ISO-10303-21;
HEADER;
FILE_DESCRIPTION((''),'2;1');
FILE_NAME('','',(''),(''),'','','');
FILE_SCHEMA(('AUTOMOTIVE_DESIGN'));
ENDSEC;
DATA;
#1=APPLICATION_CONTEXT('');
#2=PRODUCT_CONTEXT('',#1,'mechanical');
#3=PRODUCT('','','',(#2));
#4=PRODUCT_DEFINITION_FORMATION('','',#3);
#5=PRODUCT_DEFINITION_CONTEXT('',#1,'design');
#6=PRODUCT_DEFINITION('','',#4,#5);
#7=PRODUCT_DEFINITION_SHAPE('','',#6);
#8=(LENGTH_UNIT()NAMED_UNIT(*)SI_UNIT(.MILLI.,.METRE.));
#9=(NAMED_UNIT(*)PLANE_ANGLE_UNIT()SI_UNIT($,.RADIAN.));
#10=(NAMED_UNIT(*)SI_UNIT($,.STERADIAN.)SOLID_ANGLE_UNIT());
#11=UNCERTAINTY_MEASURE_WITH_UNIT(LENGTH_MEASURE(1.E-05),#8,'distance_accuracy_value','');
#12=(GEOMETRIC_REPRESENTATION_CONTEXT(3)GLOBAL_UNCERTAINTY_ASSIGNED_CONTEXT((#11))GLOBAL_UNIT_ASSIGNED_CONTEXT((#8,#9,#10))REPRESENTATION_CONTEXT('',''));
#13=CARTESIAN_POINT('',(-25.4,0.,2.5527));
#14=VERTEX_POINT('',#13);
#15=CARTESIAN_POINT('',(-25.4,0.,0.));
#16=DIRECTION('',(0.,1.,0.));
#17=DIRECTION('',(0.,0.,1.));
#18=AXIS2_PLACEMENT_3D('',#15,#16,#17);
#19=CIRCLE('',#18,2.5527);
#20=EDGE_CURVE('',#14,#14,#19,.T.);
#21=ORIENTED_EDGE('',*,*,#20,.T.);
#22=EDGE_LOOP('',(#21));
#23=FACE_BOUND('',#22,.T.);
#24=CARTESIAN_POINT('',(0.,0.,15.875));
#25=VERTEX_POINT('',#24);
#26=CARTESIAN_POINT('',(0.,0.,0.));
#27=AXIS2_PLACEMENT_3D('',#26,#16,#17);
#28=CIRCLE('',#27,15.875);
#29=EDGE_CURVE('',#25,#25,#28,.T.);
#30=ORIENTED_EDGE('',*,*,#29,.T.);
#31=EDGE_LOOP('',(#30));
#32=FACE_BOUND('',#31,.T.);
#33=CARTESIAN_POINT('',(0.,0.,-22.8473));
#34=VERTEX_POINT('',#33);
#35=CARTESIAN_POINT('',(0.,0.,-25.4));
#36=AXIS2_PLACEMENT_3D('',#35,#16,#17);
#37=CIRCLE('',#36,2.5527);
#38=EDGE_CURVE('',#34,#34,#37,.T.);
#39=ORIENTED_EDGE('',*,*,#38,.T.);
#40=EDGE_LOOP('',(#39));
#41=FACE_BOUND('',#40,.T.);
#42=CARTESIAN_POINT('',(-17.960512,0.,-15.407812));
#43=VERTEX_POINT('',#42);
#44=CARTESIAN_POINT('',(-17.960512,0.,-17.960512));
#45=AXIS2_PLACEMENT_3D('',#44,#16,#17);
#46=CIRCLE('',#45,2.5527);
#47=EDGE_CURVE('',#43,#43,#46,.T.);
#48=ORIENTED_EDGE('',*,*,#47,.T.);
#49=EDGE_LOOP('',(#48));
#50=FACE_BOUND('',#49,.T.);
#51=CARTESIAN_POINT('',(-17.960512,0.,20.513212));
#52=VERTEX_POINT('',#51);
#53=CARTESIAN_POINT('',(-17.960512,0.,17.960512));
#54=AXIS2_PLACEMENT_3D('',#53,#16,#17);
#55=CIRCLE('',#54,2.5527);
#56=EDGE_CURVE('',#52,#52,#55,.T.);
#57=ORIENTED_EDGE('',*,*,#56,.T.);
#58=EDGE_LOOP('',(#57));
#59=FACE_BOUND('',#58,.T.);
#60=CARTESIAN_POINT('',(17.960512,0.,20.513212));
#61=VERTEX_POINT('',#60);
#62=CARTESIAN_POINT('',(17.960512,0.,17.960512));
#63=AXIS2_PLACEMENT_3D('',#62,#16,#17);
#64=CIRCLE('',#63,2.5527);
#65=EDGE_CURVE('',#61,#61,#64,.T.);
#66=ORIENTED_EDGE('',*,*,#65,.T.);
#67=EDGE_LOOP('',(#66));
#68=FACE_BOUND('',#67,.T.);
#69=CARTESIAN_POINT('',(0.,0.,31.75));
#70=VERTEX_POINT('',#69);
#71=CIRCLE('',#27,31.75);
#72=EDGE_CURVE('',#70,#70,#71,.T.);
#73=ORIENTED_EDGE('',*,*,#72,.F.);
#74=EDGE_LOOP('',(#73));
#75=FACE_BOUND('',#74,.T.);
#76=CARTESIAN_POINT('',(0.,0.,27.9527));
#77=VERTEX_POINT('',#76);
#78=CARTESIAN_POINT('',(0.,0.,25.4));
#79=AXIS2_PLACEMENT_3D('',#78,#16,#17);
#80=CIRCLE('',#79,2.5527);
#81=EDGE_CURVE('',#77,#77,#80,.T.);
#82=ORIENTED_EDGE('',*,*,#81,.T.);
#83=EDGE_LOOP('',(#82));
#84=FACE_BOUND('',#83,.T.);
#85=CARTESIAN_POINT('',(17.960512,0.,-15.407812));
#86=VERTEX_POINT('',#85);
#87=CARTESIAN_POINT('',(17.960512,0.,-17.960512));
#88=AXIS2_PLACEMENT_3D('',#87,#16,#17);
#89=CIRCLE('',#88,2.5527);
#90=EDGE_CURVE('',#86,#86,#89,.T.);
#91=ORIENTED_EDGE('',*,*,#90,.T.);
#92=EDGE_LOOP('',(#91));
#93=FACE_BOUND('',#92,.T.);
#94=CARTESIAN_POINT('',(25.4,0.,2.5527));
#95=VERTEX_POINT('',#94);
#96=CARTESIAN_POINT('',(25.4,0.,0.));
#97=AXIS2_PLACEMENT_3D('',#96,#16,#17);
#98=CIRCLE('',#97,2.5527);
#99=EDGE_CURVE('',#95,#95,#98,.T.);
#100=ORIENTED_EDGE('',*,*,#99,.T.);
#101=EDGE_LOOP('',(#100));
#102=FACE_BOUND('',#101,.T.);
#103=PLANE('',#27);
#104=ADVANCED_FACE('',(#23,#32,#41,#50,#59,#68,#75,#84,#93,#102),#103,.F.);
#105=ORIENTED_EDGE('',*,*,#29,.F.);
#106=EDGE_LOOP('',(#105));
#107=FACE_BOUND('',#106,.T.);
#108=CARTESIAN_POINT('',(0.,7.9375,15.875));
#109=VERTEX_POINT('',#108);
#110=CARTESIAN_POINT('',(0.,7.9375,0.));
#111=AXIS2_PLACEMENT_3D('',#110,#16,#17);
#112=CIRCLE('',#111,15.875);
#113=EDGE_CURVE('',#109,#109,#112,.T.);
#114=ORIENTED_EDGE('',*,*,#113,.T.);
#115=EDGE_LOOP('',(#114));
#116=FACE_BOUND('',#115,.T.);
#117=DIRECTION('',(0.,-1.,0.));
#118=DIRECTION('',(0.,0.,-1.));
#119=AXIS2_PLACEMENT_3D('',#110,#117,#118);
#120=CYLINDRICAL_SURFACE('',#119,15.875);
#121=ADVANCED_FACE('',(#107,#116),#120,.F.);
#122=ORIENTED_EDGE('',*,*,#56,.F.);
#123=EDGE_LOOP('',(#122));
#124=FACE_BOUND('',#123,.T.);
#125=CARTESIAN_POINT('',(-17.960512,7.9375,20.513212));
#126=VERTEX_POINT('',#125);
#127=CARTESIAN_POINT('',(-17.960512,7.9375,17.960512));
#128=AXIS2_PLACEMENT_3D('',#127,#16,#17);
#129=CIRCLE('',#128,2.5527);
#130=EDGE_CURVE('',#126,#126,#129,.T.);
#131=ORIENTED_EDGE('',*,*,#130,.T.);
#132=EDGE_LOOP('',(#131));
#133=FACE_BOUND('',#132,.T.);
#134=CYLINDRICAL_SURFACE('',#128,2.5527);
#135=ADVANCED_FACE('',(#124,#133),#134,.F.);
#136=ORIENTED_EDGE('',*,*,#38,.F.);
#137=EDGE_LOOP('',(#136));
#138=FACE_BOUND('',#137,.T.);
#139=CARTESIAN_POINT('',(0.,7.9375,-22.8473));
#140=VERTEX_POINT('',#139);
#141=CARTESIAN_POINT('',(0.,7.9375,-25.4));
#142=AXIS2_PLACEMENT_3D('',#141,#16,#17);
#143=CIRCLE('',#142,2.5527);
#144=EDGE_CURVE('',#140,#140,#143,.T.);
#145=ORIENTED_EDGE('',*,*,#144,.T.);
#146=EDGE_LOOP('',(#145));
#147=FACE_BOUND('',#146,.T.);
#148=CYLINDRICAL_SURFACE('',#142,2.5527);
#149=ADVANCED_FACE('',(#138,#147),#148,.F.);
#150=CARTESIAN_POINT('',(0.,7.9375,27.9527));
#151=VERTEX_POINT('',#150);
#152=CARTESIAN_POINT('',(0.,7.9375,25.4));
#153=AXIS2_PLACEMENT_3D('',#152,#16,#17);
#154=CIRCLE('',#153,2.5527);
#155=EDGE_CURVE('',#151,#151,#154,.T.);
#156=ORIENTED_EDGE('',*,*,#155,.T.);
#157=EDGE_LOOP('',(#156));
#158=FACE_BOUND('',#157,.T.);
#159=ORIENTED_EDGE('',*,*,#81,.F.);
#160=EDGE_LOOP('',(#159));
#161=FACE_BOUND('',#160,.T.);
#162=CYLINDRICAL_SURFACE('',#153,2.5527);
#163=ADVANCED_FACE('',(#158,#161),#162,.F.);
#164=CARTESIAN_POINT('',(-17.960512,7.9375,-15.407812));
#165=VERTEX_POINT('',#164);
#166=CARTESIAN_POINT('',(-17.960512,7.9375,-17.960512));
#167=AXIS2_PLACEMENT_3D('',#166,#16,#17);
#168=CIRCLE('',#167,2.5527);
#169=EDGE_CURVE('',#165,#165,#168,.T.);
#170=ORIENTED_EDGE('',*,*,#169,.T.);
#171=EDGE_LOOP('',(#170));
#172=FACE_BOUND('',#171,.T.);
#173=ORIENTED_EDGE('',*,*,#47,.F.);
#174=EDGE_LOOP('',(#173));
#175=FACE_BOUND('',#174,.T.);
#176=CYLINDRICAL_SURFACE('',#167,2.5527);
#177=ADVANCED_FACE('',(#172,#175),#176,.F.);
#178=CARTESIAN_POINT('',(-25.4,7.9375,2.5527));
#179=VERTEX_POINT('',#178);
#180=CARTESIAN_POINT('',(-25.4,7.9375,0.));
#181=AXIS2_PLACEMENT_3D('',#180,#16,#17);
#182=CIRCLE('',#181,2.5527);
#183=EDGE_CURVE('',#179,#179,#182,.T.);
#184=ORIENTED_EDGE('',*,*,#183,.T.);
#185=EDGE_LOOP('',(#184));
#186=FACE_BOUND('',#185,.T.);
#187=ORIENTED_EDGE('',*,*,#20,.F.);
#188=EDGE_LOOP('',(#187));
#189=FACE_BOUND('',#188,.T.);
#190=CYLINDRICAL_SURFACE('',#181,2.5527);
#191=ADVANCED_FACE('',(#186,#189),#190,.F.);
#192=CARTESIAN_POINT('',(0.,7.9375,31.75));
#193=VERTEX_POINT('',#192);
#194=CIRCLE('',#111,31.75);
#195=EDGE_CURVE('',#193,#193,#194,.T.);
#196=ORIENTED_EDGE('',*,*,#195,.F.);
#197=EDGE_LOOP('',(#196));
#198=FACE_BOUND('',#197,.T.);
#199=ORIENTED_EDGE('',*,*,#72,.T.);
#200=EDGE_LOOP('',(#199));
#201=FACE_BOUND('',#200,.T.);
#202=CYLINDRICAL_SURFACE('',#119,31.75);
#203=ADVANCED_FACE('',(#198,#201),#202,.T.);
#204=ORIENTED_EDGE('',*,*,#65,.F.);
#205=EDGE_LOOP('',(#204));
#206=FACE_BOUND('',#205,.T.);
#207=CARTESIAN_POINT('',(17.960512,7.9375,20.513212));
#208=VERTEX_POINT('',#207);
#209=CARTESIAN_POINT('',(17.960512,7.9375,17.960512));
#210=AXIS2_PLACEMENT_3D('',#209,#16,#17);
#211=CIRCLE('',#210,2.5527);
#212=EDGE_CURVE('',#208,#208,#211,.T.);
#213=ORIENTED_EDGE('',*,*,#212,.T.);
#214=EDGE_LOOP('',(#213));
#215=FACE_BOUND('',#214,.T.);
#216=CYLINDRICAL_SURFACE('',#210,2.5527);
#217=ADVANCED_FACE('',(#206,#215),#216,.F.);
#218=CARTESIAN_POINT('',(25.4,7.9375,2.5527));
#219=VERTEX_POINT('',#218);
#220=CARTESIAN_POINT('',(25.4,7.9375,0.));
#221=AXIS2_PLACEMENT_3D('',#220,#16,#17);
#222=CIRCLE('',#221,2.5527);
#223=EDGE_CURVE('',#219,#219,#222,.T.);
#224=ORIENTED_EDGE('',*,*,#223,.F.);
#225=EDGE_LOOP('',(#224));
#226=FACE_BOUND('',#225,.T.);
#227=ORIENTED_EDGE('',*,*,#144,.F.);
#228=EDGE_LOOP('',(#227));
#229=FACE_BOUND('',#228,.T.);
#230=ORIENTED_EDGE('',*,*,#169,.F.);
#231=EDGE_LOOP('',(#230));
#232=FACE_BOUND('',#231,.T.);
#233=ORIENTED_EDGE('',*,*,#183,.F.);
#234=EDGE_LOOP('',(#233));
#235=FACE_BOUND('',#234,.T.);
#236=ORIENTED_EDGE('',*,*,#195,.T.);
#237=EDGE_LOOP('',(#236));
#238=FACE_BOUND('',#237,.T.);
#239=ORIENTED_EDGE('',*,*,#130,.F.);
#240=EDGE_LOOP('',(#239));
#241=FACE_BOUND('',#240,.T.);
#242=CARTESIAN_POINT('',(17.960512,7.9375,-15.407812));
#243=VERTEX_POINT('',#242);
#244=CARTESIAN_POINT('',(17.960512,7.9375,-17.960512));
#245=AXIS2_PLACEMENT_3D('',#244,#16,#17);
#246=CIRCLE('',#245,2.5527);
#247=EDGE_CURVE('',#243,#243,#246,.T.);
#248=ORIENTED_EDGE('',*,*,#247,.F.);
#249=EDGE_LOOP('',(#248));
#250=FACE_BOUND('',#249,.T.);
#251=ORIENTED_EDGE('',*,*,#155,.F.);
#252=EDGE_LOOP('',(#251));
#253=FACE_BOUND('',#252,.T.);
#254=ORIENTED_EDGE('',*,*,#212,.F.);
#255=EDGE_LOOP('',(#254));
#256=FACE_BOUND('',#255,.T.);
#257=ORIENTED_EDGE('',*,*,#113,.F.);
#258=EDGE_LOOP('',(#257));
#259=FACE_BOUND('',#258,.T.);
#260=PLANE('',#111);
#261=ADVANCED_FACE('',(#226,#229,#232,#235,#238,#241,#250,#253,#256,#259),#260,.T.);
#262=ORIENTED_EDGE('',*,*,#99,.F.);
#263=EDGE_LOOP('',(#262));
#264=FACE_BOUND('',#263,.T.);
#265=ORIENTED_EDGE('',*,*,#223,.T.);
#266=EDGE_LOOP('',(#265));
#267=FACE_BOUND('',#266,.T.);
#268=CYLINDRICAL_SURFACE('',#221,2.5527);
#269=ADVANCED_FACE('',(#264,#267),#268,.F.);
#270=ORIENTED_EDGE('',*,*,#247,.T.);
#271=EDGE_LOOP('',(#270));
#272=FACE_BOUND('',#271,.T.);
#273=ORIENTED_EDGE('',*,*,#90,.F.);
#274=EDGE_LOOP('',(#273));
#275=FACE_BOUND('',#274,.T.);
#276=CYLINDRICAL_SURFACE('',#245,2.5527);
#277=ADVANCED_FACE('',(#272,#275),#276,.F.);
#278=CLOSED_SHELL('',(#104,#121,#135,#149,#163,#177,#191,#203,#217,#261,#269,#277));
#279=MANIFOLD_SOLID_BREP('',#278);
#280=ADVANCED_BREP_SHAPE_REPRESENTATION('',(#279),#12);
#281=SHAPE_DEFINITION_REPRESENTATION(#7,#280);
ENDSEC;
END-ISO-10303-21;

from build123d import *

# Parameters (mm, degrees)
SKETCH1_R              = 31.75
SKETCH1_R_2            = 15.875
BOSS_EXTRUDE1_DEPTH    = 7.9375
F_10_CLEARANCE_HOLE1_D = 5.1054


with BuildPart() as part:
    # Sketch1 → Boss-Extrude1 (new body)
    with BuildSketch(Plane(origin=(0, 0, 0), x_dir=(1, 0, 0), z_dir=(0, 1, 0))):
        with Locations(Location((0, 0, 0), (0, 0, 270))):
            Circle(SKETCH1_R)
        with Locations(Location((0, 0, 0), (0, 0, 270))):
            Circle(SKETCH1_R_2, mode=Mode.SUBTRACT)
    extrude(amount=BOSS_EXTRUDE1_DEPTH)

    # #10 Clearance Hole1 (through all)
    with Locations(Plane(origin=(0, 7.9375, 0), x_dir=(1, 0, 0), z_dir=(0, 1, 0))):
        with Locations((0, 25.4), (17.960512242, 17.960512242), (25.4, 0), (17.960512242, -17.960512242), (0, -25.4), (-17.960512242, -17.960512242), (-25.4, 0), (-17.960512242, 17.960512242)):
            Hole(F_10_CLEARANCE_HOLE1_D / 2)


solid = part.part
